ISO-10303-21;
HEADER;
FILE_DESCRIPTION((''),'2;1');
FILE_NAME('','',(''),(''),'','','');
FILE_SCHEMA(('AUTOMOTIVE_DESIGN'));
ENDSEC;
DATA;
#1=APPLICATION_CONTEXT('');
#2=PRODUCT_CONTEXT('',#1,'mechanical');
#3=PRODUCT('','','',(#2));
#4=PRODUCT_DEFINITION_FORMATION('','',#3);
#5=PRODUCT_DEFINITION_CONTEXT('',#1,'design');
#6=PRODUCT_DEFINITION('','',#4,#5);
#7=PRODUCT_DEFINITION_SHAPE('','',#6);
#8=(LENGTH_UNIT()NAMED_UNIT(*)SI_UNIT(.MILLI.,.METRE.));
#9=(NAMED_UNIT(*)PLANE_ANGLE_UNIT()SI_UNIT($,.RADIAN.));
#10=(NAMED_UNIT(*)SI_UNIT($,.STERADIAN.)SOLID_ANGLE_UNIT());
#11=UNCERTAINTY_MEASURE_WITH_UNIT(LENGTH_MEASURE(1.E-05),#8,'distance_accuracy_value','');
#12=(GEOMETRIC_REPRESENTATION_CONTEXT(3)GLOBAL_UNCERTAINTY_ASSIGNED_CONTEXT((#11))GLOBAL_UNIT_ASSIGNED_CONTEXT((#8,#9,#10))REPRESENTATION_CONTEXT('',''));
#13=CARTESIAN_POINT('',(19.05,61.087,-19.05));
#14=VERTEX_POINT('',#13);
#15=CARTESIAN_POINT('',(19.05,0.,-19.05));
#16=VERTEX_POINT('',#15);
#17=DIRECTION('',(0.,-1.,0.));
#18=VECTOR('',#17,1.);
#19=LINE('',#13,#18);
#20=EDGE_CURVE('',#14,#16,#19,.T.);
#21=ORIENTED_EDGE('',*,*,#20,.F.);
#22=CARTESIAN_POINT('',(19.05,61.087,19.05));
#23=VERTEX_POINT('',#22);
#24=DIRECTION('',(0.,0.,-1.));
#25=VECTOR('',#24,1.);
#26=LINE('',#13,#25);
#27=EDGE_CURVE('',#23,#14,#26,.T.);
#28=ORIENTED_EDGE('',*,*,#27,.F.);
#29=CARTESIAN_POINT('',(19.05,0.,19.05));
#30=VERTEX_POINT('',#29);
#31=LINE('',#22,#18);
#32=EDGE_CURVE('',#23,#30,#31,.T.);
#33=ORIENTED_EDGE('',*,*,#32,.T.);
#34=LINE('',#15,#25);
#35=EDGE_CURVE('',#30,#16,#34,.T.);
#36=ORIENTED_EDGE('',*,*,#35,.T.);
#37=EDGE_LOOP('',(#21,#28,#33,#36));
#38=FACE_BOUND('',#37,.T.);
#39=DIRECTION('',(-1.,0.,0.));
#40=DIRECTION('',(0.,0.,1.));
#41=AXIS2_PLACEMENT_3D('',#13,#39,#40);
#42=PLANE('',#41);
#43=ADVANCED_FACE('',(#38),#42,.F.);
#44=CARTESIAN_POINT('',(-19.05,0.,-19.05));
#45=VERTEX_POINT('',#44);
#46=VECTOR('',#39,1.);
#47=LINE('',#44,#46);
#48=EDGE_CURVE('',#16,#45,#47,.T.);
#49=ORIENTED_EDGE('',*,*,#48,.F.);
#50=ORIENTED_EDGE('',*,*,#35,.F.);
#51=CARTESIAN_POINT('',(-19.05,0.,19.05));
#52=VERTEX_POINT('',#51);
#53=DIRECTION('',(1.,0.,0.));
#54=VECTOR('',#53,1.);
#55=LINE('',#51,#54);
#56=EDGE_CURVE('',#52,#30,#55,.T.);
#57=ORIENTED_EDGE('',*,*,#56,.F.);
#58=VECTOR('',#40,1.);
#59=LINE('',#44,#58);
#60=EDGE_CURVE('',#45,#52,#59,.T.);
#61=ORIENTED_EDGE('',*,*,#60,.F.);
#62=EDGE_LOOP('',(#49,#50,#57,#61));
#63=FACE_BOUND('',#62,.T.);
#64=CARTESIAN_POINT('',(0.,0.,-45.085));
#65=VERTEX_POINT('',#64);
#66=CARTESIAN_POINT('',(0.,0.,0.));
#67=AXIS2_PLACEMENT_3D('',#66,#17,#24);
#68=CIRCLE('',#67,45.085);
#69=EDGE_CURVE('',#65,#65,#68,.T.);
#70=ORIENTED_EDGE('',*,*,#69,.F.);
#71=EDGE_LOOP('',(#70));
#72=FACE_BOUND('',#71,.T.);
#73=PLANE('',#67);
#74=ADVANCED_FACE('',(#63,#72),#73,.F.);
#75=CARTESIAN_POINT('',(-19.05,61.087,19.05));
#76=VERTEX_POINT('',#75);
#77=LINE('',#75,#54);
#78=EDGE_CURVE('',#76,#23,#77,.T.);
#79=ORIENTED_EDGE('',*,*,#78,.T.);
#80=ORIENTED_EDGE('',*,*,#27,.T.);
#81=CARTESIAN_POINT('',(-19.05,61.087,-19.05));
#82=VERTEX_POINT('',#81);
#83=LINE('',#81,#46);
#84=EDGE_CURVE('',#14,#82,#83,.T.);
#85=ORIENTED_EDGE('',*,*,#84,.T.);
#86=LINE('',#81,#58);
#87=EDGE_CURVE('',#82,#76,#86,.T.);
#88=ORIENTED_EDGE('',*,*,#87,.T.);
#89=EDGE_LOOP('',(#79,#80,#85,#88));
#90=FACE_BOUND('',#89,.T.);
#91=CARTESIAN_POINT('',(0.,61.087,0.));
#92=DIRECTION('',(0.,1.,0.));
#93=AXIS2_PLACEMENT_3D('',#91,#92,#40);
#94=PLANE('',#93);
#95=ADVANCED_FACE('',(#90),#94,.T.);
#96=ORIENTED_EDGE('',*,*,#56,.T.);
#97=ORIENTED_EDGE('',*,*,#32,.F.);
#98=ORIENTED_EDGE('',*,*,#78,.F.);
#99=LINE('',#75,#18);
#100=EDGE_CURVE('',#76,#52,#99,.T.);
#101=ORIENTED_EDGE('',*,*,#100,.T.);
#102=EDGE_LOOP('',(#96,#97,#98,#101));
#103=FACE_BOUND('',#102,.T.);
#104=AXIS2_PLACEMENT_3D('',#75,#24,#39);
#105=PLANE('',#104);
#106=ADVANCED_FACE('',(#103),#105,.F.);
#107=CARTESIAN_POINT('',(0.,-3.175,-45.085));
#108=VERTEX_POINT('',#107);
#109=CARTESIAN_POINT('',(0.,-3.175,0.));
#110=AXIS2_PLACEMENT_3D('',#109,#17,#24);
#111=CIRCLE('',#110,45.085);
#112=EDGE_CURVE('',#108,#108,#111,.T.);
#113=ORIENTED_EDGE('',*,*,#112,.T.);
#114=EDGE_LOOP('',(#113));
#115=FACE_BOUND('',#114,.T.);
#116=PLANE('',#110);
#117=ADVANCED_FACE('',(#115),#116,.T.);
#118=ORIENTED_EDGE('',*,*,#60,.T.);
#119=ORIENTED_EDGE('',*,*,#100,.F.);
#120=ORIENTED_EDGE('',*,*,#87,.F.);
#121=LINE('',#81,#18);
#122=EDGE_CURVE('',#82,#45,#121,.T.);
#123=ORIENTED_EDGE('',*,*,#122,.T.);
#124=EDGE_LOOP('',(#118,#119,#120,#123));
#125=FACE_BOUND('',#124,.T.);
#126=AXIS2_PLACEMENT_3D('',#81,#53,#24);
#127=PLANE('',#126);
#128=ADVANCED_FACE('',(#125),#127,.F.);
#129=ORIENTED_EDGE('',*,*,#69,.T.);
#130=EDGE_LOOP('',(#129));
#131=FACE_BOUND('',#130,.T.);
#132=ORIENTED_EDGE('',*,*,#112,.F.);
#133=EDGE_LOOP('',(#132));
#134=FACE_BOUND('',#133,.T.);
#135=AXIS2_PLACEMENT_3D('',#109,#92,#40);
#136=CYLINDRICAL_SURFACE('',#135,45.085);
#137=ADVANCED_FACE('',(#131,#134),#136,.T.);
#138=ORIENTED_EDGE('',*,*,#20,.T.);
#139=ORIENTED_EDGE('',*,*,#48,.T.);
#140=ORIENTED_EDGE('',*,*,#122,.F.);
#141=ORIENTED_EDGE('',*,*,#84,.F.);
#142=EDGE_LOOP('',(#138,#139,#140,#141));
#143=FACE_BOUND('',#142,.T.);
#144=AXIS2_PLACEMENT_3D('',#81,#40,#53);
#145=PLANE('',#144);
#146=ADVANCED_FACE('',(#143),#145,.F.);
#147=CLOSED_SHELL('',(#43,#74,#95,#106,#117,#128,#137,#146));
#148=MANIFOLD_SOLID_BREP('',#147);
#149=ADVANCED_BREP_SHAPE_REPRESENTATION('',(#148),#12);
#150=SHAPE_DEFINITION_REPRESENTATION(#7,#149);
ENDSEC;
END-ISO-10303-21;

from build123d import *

# Parameters (mm, degrees)
SKETCH1_W           = 38.1
SKETCH1_H           = 38.1
BOSS_EXTRUDE1_DEPTH = 61.087
SKETCH2_R           = 45.085
BOSS_EXTRUDE2_DEPTH = 3.175


with BuildPart() as part:
    # Sketch1 → Boss-Extrude1 (new body)
    with BuildSketch(Plane(origin=(0, 0, 0), x_dir=(1, 0, 0), z_dir=(0, 1, 0))):
        Rectangle(SKETCH1_W, SKETCH1_H)
    extrude(amount=BOSS_EXTRUDE1_DEPTH)

    # Sketch2 → Boss-Extrude2 (add)
    with BuildSketch(Plane.XZ):
        Circle(SKETCH2_R)
    extrude(amount=BOSS_EXTRUDE2_DEPTH)


solid = part.part
